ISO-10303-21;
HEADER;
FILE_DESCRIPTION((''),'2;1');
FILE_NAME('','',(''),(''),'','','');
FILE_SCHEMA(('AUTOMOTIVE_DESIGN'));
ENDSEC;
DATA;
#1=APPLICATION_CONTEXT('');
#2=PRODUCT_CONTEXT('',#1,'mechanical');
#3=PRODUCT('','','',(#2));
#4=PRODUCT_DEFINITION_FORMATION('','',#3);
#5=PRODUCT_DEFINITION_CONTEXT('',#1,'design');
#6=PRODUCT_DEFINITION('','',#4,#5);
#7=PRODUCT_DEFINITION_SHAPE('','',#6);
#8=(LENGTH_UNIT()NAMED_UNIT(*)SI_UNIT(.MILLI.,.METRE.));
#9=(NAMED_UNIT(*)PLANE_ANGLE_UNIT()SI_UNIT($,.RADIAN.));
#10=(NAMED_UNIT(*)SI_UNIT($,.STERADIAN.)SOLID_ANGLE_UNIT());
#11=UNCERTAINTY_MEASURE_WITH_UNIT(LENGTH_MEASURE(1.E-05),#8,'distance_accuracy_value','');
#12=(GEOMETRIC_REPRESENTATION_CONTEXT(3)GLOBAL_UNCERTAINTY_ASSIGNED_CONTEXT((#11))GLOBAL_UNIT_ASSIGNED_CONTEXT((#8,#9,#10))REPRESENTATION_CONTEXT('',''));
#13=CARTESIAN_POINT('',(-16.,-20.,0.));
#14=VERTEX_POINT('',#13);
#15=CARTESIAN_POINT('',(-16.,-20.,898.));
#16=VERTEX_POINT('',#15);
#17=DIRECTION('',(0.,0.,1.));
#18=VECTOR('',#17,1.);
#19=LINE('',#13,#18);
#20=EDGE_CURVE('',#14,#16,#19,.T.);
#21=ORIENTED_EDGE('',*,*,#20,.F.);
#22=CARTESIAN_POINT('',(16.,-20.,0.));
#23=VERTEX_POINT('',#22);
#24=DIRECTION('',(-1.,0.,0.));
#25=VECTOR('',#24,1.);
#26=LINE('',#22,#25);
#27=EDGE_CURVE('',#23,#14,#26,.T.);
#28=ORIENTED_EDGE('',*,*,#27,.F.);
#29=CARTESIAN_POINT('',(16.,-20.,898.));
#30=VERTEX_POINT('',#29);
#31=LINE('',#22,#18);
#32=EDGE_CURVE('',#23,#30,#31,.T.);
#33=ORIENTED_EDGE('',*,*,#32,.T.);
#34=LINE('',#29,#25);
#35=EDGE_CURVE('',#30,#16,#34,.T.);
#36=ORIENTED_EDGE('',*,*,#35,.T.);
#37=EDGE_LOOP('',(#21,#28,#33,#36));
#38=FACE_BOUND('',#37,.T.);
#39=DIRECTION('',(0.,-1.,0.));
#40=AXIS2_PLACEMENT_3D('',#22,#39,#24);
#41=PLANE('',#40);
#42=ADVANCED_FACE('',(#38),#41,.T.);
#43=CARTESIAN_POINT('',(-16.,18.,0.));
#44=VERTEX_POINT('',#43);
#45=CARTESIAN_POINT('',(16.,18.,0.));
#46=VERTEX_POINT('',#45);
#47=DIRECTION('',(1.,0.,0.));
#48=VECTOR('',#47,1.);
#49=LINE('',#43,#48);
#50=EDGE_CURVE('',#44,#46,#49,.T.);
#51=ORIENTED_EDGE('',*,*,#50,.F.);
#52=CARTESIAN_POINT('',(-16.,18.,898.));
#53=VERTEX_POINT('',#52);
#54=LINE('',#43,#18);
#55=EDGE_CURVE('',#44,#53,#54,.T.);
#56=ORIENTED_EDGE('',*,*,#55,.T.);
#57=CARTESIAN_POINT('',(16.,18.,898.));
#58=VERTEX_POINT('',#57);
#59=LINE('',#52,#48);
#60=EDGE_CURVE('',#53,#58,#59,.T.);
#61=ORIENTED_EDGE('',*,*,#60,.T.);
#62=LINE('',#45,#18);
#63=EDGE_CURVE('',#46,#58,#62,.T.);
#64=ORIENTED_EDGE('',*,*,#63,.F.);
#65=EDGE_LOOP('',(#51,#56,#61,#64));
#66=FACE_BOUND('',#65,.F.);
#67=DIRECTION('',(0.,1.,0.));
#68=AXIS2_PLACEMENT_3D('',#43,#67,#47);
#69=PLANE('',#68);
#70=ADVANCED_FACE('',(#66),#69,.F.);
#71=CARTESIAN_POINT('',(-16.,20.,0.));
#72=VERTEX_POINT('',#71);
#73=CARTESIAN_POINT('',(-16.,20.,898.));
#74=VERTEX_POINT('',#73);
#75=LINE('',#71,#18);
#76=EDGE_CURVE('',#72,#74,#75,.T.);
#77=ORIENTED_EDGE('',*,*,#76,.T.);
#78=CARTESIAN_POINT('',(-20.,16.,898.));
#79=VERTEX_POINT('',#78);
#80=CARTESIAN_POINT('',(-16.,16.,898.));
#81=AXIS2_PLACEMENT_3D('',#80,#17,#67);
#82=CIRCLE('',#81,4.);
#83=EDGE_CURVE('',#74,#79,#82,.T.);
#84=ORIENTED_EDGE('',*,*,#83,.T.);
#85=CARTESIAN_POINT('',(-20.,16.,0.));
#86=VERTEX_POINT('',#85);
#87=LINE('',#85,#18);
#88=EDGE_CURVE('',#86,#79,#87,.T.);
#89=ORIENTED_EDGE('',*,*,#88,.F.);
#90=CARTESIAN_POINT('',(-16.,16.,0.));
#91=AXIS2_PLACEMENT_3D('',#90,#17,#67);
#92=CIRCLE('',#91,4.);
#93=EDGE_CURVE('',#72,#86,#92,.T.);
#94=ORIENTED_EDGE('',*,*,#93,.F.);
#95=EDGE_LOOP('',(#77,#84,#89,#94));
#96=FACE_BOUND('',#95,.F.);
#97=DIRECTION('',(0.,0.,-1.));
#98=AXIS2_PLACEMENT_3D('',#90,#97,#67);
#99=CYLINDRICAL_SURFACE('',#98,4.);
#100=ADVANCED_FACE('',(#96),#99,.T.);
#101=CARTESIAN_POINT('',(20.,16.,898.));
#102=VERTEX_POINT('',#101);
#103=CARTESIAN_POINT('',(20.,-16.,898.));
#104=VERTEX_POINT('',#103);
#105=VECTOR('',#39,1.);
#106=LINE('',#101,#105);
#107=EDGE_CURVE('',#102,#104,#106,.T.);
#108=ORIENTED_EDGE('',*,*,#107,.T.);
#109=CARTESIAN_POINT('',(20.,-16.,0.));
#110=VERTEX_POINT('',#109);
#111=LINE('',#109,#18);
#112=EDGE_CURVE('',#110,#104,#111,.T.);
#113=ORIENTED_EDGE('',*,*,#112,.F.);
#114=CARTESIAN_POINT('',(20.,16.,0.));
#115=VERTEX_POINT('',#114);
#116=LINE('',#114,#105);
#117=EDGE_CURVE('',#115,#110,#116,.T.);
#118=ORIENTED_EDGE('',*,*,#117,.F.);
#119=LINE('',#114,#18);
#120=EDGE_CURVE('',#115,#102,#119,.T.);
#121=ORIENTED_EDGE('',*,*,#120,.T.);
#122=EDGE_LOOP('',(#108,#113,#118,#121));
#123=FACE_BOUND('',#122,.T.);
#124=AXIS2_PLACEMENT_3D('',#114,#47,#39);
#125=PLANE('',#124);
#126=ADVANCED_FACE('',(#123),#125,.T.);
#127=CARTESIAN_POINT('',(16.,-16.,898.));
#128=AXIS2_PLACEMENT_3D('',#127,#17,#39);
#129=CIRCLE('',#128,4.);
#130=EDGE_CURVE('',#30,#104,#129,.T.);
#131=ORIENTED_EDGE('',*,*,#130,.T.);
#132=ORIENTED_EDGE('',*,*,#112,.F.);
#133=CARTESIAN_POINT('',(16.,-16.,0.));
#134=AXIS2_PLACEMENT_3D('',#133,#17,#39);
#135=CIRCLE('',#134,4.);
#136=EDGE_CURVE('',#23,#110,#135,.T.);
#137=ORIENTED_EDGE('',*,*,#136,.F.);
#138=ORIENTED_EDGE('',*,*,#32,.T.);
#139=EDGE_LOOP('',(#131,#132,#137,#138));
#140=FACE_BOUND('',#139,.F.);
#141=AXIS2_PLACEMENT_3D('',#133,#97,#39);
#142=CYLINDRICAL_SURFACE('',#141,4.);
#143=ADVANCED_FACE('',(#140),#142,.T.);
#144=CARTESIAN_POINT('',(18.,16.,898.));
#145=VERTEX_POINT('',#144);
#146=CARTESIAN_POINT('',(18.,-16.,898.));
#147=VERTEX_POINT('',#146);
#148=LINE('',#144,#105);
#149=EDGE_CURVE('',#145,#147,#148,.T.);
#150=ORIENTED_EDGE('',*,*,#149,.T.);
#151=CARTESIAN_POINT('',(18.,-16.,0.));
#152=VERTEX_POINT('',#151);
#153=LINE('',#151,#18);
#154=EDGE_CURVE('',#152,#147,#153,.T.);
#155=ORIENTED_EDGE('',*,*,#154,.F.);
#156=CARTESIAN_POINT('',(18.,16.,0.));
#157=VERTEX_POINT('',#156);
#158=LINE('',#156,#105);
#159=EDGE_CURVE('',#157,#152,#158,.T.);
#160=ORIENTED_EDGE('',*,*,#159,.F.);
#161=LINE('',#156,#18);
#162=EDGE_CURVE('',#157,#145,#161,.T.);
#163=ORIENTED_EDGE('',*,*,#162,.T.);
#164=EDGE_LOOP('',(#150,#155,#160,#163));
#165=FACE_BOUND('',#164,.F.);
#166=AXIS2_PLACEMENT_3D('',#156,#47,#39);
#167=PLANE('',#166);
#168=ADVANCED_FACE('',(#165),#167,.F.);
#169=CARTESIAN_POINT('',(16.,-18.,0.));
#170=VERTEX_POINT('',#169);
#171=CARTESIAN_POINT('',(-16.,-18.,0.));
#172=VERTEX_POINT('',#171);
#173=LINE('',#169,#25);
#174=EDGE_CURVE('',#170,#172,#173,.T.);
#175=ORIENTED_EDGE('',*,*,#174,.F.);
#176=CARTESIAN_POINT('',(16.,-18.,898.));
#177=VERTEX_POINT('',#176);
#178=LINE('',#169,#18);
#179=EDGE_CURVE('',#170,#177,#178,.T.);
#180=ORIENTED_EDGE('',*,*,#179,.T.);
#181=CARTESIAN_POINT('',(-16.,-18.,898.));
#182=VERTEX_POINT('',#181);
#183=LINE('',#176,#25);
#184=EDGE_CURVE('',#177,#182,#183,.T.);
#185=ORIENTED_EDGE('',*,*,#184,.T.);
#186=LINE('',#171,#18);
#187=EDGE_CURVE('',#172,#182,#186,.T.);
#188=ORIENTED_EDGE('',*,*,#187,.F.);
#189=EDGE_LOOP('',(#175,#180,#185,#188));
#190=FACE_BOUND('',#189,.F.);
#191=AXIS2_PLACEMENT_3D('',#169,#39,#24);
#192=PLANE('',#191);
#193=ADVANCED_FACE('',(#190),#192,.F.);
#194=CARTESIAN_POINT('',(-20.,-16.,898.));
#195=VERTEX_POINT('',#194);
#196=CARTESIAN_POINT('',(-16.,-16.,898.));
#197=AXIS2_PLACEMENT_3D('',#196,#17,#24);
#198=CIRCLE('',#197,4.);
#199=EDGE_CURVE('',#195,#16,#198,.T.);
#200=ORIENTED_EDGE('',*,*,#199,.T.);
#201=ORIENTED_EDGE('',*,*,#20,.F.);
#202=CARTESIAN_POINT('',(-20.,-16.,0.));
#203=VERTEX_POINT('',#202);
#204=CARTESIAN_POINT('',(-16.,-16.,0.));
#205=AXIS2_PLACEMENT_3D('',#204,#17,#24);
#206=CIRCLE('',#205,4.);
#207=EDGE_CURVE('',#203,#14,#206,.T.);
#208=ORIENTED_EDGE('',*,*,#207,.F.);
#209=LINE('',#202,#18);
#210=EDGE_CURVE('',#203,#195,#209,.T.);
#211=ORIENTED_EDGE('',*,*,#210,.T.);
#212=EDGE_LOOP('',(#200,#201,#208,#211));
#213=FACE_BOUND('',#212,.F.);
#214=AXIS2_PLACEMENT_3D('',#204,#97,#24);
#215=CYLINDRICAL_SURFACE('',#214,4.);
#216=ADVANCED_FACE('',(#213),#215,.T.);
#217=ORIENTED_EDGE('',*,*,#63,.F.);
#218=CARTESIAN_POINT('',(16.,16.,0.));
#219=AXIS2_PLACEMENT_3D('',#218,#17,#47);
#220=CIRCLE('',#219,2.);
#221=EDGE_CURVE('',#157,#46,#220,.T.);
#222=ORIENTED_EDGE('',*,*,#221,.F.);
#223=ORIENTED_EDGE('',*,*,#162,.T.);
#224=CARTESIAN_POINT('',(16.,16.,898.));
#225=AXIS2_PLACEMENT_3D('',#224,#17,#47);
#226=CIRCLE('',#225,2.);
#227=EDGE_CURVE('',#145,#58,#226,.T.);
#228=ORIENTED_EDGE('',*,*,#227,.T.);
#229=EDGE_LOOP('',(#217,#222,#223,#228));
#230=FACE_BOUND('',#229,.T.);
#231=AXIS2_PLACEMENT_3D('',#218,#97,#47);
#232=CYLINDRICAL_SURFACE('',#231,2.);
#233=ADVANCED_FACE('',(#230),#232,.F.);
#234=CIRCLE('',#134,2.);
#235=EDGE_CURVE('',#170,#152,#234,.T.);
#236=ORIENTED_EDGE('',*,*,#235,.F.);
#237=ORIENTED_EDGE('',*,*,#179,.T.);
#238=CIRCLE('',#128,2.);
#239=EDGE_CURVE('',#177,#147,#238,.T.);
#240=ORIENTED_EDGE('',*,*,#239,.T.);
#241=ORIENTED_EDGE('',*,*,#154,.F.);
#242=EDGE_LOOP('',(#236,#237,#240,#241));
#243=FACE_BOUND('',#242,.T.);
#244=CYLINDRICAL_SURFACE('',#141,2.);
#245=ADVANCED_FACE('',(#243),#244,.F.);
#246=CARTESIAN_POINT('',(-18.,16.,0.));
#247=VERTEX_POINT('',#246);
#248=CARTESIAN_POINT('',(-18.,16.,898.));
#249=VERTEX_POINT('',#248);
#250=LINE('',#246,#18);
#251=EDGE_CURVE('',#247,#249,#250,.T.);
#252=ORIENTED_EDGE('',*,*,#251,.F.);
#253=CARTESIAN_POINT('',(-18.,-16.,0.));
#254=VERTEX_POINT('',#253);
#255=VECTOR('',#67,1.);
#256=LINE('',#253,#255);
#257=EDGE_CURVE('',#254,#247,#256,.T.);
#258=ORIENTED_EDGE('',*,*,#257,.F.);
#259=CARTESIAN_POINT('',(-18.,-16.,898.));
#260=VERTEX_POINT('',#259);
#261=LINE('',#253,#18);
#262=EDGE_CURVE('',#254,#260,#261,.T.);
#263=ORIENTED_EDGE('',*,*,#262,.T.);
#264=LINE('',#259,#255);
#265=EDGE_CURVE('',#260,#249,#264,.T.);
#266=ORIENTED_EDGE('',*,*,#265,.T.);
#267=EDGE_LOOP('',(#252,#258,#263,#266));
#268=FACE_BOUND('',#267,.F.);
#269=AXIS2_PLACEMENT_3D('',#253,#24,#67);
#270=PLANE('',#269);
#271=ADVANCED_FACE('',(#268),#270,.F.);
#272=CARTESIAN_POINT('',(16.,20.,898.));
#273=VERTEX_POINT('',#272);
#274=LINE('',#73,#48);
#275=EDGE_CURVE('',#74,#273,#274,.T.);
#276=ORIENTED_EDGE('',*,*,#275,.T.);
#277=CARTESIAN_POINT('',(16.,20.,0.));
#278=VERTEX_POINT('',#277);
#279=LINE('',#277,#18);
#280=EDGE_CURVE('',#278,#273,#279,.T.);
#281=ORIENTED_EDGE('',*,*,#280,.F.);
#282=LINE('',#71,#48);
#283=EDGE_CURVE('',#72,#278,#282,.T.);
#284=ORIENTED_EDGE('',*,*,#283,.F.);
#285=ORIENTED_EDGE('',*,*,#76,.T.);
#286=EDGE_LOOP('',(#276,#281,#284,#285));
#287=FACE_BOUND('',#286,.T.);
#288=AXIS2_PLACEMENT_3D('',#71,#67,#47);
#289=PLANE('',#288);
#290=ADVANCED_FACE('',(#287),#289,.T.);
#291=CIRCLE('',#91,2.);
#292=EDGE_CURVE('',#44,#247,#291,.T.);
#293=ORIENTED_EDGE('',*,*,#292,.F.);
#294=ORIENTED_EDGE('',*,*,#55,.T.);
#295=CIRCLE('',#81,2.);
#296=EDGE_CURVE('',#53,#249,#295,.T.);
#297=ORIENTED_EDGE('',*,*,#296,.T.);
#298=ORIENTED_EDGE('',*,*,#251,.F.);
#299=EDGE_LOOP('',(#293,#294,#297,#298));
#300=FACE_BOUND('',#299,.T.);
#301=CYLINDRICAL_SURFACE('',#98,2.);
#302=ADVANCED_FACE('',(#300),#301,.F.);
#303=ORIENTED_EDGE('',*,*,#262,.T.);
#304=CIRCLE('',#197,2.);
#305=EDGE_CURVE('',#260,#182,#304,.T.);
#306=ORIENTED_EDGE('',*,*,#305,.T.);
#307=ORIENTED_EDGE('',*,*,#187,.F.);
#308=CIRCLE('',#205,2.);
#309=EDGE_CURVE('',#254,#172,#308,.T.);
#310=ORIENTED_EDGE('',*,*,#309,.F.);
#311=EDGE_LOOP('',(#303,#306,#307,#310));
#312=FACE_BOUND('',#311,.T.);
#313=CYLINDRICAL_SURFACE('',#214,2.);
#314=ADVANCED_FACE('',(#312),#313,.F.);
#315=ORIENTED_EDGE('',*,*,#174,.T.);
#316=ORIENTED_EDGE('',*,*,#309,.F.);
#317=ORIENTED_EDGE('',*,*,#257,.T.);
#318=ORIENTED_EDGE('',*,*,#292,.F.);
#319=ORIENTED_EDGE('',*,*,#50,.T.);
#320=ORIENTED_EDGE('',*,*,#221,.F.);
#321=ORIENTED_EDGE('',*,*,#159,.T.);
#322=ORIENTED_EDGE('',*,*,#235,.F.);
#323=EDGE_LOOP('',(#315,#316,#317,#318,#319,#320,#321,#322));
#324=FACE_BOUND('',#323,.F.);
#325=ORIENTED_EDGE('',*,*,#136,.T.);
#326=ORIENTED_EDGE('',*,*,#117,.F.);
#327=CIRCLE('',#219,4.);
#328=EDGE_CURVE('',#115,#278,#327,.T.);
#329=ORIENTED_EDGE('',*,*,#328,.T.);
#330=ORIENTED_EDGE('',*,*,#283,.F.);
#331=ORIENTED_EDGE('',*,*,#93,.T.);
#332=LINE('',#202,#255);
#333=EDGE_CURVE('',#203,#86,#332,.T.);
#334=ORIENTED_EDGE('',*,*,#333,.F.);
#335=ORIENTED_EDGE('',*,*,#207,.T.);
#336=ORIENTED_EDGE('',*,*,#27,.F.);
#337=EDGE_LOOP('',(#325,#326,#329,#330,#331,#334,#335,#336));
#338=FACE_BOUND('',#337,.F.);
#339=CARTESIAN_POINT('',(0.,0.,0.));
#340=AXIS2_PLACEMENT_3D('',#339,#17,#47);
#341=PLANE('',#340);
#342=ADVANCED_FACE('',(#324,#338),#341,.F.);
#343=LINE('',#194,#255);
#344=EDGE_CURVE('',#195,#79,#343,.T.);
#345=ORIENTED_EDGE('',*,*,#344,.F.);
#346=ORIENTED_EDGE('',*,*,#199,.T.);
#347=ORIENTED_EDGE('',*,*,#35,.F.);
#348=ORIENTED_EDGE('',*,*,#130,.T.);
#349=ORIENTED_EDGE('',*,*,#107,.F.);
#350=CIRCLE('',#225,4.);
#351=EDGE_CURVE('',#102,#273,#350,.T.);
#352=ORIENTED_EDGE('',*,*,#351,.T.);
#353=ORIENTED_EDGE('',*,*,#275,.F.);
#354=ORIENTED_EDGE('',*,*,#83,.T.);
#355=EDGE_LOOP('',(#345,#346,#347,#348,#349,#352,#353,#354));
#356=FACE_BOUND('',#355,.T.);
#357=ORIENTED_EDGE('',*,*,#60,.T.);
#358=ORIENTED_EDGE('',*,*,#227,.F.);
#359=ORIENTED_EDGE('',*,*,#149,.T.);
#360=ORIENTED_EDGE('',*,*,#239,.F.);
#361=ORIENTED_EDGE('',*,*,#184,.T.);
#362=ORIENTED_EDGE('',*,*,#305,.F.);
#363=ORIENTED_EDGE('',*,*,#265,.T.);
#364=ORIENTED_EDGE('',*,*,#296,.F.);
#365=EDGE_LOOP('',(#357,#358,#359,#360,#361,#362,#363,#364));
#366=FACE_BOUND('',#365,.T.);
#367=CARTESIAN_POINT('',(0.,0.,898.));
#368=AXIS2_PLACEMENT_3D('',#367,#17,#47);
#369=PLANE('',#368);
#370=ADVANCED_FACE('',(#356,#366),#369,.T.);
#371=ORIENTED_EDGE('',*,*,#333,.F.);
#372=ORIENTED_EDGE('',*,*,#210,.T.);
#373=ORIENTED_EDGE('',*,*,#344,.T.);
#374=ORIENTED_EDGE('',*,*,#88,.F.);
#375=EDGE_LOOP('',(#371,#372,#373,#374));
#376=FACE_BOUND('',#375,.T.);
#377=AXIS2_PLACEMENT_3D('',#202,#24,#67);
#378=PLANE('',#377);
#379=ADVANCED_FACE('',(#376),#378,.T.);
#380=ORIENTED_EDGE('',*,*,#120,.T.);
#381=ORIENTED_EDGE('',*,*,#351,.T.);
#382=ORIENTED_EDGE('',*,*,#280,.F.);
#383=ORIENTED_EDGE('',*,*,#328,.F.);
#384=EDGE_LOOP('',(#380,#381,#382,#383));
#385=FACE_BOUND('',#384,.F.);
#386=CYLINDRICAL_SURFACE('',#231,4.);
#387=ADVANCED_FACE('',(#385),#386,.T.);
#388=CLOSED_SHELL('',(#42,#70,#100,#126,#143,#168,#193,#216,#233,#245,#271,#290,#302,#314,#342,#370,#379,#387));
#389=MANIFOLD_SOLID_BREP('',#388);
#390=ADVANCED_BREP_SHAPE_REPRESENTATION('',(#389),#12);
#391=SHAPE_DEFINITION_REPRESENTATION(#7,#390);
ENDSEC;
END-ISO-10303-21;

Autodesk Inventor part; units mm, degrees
ref_plane "YZ Plane" through (0, 0, 0) normal (1, 0, 0) x (0, 1, 0)
ref_plane "Start plane" through (0, 0, 0) normal (0, 0, 1) x (1, 0, 0)
ref_plane "End plane" through (0, 0, 898) normal (0, 0, 1) x (1, 0, 0)
sketch "Sketch" plane through (0, 0, 0) normal (0, 0, 1) x (1, 0, 0)
  line L0 (-20, -16) -> (-20, 16)
  line L1 (-16, 20) -> (16, 20)
  line L2 (20, 16) -> (20, -16)
  line L3 (16, -20) -> (-16, -20)
  arc A0 (-20, -16) -> (-16, -20) centre (-16, -16) ccw
  arc A1 (20, 16) -> (16, 20) centre (16, 16) ccw
  arc A2 (-16, 20) -> (-20, 16) centre (-16, 16) ccw
  arc A3 (16, -20) -> (20, -16) centre (16, -16) ccw
  arc A4 (-16, 18) -> (-18, 16) centre (-16, 16) ccw
  line L4 (-16, 18) -> (16, 18)
  arc A5 (18, 16) -> (16, 18) centre (16, 16) ccw
  line L5 (18, 16) -> (18, -16)
  arc A6 (16, -18) -> (18, -16) centre (16, -16) ccw
  line L6 (16, -18) -> (-16, -18)
  arc A7 (-18, -16) -> (-16, -18) centre (-16, -16) ccw
  line L7 (-18, -16) -> (-18, 16)
  line L8 (0, 37.1021) -> (0, -37.1021) construction
  line L9 (-23.1021, 0) -> (23.1021, 0) construction
  dimension "d7" = 4
  dimension "d9" = 40
  dimension "d11" = 40
  dimension "d12" = 2
  dimension "d15" = 20
  dimension "d16" = 20
extrude "Body" add sketch "Sketch" along normal up to surface (898 mm away) from surface at 0
sketch "Sketch3" plane through (0, 0, 0) normal (0, 0, 1) x (1, 0, 0)
  line L0 (0, 0) -> (10, 0)
ref_plane "Work Plane3" through (0, 0, 0) normal (0, -1, 0) x (1, 0, 0)
sketch "Sketch4" plane through (0, 0, 0) normal (0, -1, 0) x (1, 0, 0)
  line L0 (-2, 0) -> (12, 0) projected
  line L1 (-2, 898) -> (12, 898) projected
  dimension "d18" = 898
equation "\"d7\" = G_IR"
equation "\"d9\" = G_W"
equation "\"d11\" = G_H"
equation "\"d12\" = G_T"
equation "\"d15\" = 0.5 * d9"
equation "\"d16\" = 0.5 * d11"
equation "\"d3\" = G_L"
equation "\"G_W\" = 40"
equation "\"G_H\" = 40"
equation "\"G_T\" = 2"
equation "\"G_IR\" = 4"
equation "\"G_L\" = d18"
equation "\"G_OFFSET_START\" = 0"
equation "\"G_OFFSET_END\" = 0"
equation "\"d14\" = G_OFFSET_END + B_L"
equation "\"B_L\" = 898"
properties part number "ISO 4019 - 40x40x2 - 898" material "Steel, Mild"
